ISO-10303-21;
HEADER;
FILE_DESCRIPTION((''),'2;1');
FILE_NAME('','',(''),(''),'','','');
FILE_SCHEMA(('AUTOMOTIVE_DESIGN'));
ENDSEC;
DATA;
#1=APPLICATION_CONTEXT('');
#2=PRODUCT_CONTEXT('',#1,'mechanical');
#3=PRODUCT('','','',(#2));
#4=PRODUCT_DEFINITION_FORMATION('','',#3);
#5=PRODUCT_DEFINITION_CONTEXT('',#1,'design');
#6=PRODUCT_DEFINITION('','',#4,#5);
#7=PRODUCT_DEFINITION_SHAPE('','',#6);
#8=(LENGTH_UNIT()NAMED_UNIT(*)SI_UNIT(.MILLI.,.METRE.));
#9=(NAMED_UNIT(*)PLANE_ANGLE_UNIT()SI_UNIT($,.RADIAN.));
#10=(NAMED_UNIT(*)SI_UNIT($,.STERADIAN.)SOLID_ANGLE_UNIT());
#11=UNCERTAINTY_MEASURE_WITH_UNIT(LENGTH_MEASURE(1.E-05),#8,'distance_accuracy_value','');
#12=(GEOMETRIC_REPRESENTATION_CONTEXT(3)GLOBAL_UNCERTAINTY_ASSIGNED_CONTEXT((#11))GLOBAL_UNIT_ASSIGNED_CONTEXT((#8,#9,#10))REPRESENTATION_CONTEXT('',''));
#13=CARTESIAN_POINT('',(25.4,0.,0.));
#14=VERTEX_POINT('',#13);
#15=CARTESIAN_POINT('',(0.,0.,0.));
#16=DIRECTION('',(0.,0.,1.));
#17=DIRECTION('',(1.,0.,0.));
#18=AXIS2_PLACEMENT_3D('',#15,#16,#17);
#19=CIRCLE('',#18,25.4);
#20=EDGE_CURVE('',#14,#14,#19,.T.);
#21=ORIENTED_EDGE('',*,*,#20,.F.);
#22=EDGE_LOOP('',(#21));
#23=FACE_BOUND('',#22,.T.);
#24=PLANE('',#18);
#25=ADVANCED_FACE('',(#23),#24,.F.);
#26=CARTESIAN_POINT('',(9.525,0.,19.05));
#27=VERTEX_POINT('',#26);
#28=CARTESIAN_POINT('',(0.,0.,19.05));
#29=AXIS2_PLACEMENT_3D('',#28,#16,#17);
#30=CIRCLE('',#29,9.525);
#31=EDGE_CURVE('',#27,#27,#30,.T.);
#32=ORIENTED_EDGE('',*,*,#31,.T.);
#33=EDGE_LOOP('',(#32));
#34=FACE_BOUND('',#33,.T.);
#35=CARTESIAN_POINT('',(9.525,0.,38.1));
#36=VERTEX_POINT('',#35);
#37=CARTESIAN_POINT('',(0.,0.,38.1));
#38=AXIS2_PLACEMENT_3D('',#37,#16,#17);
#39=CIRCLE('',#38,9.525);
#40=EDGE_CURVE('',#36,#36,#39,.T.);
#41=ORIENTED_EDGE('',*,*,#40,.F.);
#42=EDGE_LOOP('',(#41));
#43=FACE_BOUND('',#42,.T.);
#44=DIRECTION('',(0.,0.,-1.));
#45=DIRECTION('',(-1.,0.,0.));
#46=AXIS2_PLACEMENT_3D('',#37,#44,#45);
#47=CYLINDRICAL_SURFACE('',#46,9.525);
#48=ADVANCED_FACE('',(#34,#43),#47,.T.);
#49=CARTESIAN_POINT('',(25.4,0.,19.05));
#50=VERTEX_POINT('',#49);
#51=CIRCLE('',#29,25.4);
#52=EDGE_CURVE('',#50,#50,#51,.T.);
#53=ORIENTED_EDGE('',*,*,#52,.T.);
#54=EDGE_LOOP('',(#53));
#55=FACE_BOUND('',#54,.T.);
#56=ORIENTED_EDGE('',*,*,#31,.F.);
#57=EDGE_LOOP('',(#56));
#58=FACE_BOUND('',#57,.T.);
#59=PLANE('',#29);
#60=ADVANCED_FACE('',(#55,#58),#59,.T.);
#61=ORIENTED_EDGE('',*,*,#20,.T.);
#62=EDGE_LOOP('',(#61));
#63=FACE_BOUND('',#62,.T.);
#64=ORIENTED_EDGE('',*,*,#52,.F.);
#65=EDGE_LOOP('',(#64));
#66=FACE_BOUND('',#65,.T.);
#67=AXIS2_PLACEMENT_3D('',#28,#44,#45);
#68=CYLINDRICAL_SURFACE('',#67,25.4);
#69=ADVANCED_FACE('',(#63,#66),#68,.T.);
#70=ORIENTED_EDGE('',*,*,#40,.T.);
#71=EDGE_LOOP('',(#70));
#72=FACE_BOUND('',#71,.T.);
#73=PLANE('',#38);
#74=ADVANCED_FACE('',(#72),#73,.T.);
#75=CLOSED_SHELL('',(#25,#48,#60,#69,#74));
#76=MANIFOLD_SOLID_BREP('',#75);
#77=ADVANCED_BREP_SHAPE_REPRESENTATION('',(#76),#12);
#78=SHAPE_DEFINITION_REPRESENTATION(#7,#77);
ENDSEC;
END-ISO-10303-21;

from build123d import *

# Parameters (mm, degrees)
SKETCH1_R           = 25.4
BOSS_EXTRUDE1_DEPTH = 19.05
SKETCH2_R           = 9.525
BOSS_EXTRUDE2_DEPTH = 19.05


with BuildPart() as part:
    # Sketch1 → Boss-Extrude1 (new body)
    with BuildSketch(Plane.XY):
        Circle(SKETCH1_R)
    extrude(amount=BOSS_EXTRUDE1_DEPTH)

    # Sketch2 → Boss-Extrude2 (add)
    with BuildSketch(Plane.XY.offset(19.05)):
        Circle(SKETCH2_R)
    extrude(amount=BOSS_EXTRUDE2_DEPTH)


solid = part.part
